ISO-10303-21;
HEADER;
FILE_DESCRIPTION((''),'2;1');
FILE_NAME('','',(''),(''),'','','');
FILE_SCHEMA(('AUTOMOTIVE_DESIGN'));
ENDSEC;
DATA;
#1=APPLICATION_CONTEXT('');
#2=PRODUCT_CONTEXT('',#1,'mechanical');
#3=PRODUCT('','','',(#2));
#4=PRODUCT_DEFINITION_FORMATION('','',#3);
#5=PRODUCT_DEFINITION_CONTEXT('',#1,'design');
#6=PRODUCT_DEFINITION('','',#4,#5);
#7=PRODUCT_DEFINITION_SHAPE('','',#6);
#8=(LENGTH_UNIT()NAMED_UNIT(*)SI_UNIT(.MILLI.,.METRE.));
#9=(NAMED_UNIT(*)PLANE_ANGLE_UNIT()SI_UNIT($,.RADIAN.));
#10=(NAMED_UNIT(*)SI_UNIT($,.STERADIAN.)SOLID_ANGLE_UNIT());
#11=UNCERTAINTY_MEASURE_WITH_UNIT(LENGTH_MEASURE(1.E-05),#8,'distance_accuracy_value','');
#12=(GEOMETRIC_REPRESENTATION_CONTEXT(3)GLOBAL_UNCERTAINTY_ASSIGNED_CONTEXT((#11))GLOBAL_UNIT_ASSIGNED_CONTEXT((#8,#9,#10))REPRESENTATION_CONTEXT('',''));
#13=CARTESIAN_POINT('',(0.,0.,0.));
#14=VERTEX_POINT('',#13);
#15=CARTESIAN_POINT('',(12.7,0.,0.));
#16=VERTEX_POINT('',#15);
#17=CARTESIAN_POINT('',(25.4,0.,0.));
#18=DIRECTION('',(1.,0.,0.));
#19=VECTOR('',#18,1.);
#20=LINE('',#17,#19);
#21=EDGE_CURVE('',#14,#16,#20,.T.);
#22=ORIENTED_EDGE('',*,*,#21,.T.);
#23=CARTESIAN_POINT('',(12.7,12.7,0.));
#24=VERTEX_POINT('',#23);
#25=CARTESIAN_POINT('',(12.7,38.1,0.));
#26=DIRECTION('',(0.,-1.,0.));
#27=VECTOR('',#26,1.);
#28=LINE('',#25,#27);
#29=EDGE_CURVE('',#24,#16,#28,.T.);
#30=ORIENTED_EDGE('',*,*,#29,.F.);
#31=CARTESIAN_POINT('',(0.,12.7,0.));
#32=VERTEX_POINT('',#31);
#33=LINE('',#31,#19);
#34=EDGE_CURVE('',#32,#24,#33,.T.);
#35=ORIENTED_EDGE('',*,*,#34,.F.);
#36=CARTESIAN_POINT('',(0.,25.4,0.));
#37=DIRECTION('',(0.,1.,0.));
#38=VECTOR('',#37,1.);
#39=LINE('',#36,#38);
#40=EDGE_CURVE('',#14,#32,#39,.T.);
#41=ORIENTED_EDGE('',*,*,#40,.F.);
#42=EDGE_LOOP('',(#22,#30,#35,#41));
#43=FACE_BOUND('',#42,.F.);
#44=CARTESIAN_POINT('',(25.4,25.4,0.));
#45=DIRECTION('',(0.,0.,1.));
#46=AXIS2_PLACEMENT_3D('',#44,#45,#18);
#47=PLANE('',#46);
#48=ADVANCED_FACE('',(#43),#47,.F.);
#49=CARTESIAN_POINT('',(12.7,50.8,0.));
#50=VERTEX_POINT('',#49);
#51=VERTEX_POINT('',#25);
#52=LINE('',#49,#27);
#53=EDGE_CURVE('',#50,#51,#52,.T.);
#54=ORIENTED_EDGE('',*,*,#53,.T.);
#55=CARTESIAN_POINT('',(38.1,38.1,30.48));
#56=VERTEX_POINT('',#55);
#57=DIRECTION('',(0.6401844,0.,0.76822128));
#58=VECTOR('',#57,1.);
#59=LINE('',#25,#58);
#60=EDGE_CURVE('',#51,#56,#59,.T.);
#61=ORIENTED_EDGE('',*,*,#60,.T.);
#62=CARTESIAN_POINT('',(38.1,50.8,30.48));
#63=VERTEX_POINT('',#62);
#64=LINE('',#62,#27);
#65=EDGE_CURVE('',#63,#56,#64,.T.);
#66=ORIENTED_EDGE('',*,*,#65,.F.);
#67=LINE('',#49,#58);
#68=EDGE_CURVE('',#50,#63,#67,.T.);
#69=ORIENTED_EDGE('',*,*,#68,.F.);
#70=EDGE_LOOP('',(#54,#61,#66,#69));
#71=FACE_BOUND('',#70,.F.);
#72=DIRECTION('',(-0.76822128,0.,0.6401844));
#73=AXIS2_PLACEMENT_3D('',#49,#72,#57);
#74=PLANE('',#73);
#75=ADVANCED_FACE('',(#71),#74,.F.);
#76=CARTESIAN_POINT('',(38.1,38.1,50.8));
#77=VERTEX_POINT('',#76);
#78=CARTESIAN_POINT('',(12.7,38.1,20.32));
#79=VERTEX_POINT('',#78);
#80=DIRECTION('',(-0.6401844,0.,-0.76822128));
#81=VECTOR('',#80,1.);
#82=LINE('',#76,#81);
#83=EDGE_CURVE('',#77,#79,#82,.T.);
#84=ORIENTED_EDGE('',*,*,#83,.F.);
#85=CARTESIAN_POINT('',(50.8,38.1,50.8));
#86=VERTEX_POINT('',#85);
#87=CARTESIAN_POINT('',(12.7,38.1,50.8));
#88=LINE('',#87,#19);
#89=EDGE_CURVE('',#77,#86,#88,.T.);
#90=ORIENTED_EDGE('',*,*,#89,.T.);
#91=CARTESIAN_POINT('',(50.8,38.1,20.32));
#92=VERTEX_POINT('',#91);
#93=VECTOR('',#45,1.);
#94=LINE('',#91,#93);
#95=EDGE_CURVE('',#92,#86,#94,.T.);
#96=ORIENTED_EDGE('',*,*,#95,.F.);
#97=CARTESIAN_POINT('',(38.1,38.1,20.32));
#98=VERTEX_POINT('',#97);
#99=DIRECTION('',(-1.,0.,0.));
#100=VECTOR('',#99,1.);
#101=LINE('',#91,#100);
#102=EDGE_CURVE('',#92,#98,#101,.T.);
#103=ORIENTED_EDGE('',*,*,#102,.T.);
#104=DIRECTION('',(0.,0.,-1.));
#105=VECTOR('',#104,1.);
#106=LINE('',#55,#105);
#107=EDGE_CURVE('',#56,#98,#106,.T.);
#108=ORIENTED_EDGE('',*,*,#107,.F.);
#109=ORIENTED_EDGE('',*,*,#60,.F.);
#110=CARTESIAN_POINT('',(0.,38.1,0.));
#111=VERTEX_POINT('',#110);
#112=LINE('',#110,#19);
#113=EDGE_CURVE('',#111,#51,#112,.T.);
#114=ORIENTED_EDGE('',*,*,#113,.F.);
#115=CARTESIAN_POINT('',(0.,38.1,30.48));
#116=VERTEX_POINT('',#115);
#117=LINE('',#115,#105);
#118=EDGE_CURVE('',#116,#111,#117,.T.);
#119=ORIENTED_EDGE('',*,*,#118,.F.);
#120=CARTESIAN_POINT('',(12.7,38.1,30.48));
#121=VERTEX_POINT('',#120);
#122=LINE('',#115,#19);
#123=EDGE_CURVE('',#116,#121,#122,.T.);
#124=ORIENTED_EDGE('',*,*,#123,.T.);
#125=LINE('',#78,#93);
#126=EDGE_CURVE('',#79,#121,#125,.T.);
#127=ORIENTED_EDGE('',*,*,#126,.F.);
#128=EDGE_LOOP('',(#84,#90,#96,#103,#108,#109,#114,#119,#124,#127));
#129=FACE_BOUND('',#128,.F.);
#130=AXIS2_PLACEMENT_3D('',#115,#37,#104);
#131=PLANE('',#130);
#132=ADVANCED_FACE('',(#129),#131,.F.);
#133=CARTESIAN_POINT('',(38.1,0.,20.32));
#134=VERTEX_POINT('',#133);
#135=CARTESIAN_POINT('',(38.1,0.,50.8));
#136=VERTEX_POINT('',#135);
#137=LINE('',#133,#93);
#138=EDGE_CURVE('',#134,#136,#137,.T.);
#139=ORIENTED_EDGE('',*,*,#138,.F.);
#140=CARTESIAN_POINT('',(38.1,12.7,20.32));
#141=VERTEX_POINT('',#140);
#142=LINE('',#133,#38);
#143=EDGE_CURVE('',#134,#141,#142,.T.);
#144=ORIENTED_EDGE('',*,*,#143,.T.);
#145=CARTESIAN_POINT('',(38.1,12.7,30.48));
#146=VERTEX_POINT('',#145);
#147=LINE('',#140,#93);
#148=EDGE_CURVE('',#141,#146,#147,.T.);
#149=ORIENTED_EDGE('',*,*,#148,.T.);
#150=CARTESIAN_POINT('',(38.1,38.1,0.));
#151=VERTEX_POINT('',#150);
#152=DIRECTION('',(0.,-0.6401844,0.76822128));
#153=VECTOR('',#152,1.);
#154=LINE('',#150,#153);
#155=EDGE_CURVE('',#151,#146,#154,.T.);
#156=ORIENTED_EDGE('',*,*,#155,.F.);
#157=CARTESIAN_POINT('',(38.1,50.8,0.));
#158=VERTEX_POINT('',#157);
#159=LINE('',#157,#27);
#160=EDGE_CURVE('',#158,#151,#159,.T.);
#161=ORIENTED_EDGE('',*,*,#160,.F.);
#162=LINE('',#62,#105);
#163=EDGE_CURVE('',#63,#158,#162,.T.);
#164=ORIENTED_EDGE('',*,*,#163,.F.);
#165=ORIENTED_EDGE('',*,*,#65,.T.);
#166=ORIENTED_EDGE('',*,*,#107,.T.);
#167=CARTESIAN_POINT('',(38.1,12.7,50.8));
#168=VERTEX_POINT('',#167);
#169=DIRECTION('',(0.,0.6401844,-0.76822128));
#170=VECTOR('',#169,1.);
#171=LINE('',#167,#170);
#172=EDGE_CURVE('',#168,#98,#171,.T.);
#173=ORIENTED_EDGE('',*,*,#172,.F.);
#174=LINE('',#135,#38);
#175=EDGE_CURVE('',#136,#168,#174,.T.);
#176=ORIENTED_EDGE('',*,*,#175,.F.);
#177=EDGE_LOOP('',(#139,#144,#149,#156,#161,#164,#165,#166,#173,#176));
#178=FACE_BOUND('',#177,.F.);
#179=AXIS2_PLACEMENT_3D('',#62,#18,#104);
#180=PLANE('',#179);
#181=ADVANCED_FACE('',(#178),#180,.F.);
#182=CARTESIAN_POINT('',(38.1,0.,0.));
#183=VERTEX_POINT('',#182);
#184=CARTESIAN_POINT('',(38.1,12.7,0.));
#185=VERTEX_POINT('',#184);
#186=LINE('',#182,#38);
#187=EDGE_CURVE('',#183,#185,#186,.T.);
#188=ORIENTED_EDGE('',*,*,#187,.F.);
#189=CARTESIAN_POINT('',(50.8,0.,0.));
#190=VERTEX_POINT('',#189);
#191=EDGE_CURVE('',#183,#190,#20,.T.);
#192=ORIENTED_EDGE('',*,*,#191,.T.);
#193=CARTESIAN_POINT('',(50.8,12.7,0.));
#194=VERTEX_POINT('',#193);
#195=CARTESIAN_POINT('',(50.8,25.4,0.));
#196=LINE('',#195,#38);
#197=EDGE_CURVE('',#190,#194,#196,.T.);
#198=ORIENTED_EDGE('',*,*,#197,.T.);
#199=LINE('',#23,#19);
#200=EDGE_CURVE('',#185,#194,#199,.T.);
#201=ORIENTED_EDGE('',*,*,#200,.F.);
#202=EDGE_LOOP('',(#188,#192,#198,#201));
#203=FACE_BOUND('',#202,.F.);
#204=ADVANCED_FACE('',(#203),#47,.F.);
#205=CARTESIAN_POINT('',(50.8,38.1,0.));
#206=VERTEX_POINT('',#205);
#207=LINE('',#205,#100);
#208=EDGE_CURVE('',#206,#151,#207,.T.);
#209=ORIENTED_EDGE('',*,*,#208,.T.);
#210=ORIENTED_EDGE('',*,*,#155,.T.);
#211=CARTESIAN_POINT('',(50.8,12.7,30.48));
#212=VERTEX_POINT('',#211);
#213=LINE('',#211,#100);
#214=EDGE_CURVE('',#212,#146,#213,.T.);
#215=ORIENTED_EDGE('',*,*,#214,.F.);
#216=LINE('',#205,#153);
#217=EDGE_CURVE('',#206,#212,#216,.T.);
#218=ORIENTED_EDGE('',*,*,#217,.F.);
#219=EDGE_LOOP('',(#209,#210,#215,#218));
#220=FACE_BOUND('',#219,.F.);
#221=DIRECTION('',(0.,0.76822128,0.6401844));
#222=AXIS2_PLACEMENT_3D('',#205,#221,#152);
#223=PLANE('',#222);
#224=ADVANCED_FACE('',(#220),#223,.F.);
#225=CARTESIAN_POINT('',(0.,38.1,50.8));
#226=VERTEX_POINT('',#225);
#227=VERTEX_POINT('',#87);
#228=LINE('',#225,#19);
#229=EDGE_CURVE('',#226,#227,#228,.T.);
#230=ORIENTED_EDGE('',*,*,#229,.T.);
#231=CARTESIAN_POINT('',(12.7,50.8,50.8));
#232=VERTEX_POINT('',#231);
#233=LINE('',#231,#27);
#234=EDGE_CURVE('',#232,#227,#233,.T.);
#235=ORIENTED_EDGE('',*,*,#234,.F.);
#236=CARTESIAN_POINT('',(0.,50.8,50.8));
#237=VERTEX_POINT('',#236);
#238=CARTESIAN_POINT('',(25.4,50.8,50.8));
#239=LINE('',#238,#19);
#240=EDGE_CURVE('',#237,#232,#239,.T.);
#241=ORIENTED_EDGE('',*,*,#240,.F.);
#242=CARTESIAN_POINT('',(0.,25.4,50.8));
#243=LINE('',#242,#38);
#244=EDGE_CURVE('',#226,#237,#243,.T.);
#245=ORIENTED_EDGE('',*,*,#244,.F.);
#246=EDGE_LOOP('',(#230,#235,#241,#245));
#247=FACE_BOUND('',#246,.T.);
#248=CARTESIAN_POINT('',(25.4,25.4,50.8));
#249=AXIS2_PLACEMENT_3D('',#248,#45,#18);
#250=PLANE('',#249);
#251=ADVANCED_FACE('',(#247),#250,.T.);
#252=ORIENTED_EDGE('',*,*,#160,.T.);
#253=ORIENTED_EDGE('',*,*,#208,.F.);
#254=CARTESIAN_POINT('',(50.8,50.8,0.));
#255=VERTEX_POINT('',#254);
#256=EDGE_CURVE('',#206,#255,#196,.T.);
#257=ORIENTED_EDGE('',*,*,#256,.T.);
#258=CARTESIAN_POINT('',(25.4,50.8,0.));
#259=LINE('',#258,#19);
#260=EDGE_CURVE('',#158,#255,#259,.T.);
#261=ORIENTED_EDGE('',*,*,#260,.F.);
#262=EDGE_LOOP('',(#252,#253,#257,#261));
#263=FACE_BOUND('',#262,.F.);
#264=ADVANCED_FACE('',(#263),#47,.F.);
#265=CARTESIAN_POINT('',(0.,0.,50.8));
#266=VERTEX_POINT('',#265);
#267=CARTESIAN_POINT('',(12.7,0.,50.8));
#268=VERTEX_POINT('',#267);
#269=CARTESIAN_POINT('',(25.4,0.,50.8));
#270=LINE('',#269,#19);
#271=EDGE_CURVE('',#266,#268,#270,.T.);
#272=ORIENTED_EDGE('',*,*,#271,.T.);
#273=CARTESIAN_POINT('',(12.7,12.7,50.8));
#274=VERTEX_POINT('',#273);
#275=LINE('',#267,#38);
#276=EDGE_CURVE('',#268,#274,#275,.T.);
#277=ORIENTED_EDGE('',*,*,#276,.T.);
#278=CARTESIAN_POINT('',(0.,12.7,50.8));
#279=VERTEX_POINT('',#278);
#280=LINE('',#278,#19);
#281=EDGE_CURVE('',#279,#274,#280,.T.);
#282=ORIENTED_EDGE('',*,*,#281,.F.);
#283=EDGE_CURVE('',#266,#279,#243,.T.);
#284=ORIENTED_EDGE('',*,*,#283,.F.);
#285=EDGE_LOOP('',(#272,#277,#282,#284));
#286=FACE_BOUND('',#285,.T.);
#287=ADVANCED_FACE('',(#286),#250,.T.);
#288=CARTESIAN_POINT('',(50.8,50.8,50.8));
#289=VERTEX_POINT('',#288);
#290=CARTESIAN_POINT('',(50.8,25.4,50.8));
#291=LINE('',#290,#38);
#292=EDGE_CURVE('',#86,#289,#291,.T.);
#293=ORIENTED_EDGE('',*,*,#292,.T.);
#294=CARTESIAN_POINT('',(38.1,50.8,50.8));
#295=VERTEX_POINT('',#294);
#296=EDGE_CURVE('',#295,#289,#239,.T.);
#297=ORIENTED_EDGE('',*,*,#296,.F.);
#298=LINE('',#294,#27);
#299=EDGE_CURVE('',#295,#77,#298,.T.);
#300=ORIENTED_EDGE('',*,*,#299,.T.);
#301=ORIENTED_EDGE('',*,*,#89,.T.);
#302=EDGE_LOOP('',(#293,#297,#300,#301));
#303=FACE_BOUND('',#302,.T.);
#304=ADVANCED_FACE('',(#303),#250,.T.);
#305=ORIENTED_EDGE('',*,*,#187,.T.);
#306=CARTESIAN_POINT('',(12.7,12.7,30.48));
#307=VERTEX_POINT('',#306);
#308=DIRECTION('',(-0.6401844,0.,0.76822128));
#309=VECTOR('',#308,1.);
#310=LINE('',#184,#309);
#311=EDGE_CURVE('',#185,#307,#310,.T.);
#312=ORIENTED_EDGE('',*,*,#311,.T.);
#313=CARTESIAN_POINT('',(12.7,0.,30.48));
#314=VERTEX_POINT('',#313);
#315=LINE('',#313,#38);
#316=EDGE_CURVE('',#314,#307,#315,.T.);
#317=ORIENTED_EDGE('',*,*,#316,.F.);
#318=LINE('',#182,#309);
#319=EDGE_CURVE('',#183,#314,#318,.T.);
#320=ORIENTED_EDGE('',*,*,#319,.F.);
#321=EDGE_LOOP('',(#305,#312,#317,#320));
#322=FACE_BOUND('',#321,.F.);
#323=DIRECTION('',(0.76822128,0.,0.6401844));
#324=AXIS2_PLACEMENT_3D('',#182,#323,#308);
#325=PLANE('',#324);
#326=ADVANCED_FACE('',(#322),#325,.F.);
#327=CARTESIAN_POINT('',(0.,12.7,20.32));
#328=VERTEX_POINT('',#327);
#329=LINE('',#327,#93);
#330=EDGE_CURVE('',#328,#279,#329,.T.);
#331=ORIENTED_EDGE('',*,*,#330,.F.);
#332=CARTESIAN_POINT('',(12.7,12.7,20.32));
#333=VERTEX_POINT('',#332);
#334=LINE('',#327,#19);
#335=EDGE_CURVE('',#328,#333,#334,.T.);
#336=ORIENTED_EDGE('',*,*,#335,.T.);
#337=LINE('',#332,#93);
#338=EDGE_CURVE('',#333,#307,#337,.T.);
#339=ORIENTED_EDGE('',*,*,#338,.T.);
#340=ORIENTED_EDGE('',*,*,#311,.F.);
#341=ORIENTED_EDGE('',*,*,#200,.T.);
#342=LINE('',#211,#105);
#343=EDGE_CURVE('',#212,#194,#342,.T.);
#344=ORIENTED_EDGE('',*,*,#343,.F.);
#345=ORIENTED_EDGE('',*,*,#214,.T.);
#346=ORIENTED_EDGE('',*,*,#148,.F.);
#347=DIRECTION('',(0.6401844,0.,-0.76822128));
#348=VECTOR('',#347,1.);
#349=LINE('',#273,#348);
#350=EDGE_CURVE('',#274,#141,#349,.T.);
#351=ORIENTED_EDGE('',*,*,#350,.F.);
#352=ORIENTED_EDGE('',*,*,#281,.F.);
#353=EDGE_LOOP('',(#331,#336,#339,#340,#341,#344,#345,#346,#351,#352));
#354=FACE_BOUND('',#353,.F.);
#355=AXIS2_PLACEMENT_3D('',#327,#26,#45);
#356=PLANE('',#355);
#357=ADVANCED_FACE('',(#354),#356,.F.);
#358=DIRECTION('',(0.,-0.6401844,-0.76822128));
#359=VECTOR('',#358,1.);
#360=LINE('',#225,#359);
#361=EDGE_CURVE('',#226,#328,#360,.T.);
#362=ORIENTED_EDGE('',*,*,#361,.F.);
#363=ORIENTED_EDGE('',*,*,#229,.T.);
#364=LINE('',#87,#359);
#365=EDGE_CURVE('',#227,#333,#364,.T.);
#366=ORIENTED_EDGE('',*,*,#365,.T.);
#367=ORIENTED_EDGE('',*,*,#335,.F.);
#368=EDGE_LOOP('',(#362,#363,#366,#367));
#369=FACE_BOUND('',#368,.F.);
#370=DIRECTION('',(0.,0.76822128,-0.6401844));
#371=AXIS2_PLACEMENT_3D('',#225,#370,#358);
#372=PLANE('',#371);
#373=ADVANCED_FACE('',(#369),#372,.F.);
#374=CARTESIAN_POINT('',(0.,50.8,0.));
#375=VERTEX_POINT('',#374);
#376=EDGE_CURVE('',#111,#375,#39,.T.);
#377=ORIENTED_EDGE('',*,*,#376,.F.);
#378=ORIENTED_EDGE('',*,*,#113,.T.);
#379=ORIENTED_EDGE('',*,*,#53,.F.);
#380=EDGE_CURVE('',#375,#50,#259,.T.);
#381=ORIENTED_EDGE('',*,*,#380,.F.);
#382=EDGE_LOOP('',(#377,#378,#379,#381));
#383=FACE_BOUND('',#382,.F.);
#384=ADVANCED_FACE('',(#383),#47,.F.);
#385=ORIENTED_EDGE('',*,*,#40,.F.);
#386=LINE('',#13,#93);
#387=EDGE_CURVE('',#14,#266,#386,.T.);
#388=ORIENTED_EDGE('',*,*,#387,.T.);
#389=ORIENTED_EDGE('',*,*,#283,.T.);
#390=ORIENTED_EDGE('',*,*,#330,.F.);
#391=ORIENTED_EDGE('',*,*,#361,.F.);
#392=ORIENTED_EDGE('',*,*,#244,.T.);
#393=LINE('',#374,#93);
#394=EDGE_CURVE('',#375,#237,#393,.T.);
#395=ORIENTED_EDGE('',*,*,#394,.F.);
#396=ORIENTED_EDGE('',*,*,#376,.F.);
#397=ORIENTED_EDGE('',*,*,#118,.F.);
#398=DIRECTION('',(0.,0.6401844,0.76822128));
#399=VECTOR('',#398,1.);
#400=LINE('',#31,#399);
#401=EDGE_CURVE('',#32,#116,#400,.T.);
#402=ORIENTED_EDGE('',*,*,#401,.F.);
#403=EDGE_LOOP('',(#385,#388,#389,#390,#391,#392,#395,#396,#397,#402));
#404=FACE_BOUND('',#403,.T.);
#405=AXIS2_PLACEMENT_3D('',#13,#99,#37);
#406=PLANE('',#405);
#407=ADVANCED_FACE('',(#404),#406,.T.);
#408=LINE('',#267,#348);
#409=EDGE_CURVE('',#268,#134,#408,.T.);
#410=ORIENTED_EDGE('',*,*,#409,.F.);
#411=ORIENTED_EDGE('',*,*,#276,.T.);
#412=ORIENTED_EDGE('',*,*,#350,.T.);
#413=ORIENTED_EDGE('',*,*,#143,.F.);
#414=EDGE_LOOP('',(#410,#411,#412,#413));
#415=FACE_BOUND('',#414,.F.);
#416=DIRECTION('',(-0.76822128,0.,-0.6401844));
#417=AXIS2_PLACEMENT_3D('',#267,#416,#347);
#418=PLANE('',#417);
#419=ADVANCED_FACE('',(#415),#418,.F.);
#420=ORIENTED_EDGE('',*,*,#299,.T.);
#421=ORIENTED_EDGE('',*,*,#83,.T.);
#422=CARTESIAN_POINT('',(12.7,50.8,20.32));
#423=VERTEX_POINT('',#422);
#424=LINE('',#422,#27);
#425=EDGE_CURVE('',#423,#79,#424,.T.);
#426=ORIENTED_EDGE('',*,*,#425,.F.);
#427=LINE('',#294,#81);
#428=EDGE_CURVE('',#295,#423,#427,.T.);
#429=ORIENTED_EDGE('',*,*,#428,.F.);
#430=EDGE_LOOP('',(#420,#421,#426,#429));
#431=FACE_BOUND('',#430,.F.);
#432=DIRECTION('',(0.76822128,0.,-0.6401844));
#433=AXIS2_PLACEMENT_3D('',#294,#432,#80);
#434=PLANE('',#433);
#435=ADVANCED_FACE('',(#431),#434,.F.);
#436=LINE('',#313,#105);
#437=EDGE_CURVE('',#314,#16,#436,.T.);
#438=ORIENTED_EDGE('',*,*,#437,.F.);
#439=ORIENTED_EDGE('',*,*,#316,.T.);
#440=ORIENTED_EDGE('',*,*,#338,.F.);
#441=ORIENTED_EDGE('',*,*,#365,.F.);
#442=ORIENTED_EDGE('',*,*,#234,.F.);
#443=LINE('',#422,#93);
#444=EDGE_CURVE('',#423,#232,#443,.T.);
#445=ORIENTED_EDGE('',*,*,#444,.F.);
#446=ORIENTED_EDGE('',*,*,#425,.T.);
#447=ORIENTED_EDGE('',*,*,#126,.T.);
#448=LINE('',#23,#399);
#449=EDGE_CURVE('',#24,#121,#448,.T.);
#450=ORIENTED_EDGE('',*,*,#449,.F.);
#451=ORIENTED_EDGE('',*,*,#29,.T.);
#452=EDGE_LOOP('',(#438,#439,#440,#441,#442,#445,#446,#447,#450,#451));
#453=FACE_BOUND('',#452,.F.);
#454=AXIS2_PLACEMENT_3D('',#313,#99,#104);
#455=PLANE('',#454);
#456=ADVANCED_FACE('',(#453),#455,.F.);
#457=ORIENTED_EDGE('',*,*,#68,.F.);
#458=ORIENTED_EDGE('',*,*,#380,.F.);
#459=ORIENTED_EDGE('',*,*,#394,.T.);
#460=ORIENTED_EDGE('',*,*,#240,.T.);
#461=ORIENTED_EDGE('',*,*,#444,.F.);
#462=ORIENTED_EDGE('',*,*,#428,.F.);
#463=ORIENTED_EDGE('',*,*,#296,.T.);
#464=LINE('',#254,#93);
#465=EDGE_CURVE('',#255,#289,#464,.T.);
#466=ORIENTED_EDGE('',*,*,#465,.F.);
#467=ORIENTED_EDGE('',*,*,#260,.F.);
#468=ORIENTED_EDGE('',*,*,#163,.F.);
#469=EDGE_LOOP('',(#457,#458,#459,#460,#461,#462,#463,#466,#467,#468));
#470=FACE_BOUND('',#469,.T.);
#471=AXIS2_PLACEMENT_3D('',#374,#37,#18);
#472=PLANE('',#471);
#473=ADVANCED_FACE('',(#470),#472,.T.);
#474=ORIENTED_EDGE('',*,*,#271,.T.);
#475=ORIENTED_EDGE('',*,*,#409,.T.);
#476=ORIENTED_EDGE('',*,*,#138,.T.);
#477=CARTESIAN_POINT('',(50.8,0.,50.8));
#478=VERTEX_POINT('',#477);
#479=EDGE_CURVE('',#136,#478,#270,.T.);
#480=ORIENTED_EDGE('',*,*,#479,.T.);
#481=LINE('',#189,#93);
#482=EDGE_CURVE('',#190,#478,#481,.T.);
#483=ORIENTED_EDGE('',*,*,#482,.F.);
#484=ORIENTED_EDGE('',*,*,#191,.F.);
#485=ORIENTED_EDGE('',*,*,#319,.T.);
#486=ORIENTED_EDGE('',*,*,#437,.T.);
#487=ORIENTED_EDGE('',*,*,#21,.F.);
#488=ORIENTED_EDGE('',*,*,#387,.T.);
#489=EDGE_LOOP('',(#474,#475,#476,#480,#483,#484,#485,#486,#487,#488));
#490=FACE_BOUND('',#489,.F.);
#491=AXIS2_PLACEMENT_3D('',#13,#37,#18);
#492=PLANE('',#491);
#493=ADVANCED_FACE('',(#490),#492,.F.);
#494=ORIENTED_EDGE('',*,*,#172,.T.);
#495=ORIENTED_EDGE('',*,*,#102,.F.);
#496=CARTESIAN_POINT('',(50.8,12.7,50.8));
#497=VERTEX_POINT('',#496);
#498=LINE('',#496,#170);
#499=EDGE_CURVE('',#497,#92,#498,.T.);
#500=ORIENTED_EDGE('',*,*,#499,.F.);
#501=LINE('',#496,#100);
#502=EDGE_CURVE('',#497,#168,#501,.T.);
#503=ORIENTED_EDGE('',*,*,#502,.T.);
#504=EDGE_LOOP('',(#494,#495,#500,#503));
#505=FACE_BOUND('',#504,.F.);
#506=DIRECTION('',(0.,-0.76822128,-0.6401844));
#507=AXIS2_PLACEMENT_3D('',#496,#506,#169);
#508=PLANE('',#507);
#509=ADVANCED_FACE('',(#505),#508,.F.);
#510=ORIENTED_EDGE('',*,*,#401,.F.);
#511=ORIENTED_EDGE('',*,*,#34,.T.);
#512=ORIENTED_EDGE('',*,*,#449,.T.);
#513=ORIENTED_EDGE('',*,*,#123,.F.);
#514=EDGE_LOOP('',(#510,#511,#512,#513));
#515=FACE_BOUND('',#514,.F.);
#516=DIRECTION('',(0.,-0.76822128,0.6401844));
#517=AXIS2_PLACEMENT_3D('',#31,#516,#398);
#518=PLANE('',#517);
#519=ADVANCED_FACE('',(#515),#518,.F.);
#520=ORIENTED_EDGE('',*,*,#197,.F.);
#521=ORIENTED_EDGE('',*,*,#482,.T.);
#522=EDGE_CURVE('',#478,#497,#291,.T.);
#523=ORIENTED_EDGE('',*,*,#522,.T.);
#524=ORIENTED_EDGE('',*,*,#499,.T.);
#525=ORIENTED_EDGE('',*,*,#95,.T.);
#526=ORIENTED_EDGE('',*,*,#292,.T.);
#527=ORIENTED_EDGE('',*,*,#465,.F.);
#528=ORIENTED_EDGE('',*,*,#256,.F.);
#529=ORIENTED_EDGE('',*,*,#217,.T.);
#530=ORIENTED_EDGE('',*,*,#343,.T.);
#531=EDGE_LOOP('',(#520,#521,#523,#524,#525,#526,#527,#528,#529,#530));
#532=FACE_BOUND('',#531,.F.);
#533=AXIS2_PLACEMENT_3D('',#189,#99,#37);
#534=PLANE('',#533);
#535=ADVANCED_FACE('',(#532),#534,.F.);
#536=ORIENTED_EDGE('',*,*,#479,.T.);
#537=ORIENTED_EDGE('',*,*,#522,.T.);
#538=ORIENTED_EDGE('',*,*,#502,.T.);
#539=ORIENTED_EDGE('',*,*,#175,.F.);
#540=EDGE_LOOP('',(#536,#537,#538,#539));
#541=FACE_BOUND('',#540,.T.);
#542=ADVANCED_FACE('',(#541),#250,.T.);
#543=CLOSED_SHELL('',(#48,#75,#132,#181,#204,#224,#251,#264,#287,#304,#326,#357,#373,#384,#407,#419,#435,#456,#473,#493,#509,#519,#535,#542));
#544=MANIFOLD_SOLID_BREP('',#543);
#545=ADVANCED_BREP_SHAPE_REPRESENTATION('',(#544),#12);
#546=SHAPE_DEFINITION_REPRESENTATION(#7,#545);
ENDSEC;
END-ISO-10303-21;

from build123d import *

# Parameters (mm, degrees)
F0_W     = 50.8
F0_H     = 50.8
F0_W_2   = 25.4
F0_H_2   = 25.4
F1_DEPTH = 50.8
F3_DEPTH = 12.7
F5_DEPTH = 12.7
F7_DEPTH = 12.7
F9_DEPTH = 12.7


with BuildPart() as f1:
    # F0 (on Top) → F1 (new body)
    with BuildSketch(Plane.XY):
        with Locations((25.4, 25.4)):
            Rectangle(F0_W, F0_H)
        with Locations((25.4, 25.4)):
            Rectangle(F0_W_2, F0_H_2, mode=Mode.SUBTRACT)
    extrude(amount=F1_DEPTH)

    # F2 (on face) → F3 (cut)
    with BuildSketch(Plane.YZ.offset(50.8)):
        Polygon((12.7, 30.48), (12.7, 0), (38.1, 0), align=None)
        Polygon((38.1, 20.32), (38.1, 50.8), (12.7, 50.8), align=None)
    extrude(amount=-F3_DEPTH, mode=Mode.SUBTRACT)

    # F4 (on face) → F5 (cut)
    with BuildSketch(Plane.XZ):
        Polygon((12.7, 30.48), (12.7, 0), (38.1, 0), align=None)
        Polygon((38.1, 20.32), (38.1, 50.8), (12.7, 50.8), align=None)
    extrude(amount=-F5_DEPTH, mode=Mode.SUBTRACT)

    # F6 (on face) → F7 (cut)
    with BuildSketch(Plane(origin=(0, 0, 0), x_dir=(0, -1, 0), z_dir=(-1, 0, 0))):
        Polygon((-38.1, 30.48), (-38.1, 0), (-12.7, 0), align=None)
        Polygon((-12.7, 20.32), (-12.7, 50.8), (-38.1, 50.8), align=None)
    extrude(amount=-F7_DEPTH, mode=Mode.SUBTRACT)

    # F8 (on face) → F9 (cut)
    with BuildSketch(Plane(origin=(0, 50.8, 0), x_dir=(-1, 0, 0), z_dir=(0, 1, 0))):
        Polygon((-38.1, 30.48), (-38.1, 0), (-12.7, 0), align=None)
        Polygon((-12.7, 20.32), (-12.7, 50.8), (-38.1, 50.8), align=None)
    extrude(amount=-F9_DEPTH, mode=Mode.SUBTRACT)


solid = f1.part
